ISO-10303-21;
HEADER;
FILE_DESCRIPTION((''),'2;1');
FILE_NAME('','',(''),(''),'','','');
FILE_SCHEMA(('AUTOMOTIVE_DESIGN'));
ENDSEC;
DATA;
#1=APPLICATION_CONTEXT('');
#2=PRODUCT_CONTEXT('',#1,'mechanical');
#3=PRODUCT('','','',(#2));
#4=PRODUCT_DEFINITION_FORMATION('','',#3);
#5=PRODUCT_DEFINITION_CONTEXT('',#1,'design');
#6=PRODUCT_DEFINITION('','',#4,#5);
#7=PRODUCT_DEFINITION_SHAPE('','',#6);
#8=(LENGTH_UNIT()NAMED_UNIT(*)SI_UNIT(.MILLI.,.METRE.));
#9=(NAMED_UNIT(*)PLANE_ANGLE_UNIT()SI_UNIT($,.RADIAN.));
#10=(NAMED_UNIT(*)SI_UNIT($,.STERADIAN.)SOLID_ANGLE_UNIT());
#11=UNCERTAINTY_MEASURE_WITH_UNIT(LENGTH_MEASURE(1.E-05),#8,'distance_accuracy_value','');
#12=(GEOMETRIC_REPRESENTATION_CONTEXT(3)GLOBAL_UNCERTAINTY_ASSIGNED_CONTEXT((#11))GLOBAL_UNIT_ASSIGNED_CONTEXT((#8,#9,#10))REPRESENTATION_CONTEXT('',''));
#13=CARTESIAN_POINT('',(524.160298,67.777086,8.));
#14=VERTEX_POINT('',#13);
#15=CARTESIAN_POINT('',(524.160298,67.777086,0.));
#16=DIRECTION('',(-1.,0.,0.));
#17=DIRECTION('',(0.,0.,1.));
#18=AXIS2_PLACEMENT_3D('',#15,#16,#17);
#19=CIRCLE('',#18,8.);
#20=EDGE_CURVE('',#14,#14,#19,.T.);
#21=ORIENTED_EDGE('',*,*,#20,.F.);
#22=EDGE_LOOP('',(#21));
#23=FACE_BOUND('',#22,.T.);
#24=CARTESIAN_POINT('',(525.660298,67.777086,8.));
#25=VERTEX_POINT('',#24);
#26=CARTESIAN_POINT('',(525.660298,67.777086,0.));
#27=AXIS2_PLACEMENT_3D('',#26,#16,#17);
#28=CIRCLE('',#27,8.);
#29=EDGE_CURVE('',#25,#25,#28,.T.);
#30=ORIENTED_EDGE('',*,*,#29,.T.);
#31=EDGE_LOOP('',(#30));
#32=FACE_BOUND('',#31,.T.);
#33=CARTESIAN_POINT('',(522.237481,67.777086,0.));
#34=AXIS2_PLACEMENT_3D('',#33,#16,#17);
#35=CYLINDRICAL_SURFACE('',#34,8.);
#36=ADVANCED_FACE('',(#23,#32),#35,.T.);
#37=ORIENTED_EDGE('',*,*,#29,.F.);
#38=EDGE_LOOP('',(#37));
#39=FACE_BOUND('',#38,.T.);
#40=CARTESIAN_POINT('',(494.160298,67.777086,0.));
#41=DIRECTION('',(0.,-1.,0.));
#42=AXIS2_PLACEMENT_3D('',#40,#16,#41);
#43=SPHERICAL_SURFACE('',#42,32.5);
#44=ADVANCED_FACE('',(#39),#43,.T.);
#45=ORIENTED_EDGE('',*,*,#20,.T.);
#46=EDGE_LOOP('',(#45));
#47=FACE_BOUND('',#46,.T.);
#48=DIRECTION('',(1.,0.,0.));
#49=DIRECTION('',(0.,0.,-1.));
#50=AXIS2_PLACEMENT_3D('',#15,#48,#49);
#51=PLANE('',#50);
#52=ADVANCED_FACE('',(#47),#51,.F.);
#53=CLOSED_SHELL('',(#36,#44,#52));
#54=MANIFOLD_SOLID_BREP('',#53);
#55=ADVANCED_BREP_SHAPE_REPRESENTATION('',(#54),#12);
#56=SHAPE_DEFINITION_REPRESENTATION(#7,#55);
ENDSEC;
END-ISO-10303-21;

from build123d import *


with BuildPart() as part:
    # 草图2 → 旋转2 (revolve)
    with BuildSketch(Plane.XY, mode=Mode.PRIVATE) as revolve_2_sk:
        with BuildLine():
            Line((524.160297715, 67.777086322), (524.160297715, 75.777086322))
            Line((524.160297715, 75.777086322), (525.660297715, 75.777086322))
            ThreePointArc((525.660297715, 75.777086322), (526.409328708, 71.808215197), (526.660297715, 67.777086322))
            Line((526.660297715, 67.777086322), (524.160297715, 67.777086322))
        make_face()
    revolve(revolve_2_sk.sketch.rotate(Axis((522.23748101, 67.777086322, 0), (1, 0, 0)), 180), axis=Axis((522.23748101, 67.777086322, 0), (1, 0, 0)))  # turned: the seam where the file's is


solid = part.part
